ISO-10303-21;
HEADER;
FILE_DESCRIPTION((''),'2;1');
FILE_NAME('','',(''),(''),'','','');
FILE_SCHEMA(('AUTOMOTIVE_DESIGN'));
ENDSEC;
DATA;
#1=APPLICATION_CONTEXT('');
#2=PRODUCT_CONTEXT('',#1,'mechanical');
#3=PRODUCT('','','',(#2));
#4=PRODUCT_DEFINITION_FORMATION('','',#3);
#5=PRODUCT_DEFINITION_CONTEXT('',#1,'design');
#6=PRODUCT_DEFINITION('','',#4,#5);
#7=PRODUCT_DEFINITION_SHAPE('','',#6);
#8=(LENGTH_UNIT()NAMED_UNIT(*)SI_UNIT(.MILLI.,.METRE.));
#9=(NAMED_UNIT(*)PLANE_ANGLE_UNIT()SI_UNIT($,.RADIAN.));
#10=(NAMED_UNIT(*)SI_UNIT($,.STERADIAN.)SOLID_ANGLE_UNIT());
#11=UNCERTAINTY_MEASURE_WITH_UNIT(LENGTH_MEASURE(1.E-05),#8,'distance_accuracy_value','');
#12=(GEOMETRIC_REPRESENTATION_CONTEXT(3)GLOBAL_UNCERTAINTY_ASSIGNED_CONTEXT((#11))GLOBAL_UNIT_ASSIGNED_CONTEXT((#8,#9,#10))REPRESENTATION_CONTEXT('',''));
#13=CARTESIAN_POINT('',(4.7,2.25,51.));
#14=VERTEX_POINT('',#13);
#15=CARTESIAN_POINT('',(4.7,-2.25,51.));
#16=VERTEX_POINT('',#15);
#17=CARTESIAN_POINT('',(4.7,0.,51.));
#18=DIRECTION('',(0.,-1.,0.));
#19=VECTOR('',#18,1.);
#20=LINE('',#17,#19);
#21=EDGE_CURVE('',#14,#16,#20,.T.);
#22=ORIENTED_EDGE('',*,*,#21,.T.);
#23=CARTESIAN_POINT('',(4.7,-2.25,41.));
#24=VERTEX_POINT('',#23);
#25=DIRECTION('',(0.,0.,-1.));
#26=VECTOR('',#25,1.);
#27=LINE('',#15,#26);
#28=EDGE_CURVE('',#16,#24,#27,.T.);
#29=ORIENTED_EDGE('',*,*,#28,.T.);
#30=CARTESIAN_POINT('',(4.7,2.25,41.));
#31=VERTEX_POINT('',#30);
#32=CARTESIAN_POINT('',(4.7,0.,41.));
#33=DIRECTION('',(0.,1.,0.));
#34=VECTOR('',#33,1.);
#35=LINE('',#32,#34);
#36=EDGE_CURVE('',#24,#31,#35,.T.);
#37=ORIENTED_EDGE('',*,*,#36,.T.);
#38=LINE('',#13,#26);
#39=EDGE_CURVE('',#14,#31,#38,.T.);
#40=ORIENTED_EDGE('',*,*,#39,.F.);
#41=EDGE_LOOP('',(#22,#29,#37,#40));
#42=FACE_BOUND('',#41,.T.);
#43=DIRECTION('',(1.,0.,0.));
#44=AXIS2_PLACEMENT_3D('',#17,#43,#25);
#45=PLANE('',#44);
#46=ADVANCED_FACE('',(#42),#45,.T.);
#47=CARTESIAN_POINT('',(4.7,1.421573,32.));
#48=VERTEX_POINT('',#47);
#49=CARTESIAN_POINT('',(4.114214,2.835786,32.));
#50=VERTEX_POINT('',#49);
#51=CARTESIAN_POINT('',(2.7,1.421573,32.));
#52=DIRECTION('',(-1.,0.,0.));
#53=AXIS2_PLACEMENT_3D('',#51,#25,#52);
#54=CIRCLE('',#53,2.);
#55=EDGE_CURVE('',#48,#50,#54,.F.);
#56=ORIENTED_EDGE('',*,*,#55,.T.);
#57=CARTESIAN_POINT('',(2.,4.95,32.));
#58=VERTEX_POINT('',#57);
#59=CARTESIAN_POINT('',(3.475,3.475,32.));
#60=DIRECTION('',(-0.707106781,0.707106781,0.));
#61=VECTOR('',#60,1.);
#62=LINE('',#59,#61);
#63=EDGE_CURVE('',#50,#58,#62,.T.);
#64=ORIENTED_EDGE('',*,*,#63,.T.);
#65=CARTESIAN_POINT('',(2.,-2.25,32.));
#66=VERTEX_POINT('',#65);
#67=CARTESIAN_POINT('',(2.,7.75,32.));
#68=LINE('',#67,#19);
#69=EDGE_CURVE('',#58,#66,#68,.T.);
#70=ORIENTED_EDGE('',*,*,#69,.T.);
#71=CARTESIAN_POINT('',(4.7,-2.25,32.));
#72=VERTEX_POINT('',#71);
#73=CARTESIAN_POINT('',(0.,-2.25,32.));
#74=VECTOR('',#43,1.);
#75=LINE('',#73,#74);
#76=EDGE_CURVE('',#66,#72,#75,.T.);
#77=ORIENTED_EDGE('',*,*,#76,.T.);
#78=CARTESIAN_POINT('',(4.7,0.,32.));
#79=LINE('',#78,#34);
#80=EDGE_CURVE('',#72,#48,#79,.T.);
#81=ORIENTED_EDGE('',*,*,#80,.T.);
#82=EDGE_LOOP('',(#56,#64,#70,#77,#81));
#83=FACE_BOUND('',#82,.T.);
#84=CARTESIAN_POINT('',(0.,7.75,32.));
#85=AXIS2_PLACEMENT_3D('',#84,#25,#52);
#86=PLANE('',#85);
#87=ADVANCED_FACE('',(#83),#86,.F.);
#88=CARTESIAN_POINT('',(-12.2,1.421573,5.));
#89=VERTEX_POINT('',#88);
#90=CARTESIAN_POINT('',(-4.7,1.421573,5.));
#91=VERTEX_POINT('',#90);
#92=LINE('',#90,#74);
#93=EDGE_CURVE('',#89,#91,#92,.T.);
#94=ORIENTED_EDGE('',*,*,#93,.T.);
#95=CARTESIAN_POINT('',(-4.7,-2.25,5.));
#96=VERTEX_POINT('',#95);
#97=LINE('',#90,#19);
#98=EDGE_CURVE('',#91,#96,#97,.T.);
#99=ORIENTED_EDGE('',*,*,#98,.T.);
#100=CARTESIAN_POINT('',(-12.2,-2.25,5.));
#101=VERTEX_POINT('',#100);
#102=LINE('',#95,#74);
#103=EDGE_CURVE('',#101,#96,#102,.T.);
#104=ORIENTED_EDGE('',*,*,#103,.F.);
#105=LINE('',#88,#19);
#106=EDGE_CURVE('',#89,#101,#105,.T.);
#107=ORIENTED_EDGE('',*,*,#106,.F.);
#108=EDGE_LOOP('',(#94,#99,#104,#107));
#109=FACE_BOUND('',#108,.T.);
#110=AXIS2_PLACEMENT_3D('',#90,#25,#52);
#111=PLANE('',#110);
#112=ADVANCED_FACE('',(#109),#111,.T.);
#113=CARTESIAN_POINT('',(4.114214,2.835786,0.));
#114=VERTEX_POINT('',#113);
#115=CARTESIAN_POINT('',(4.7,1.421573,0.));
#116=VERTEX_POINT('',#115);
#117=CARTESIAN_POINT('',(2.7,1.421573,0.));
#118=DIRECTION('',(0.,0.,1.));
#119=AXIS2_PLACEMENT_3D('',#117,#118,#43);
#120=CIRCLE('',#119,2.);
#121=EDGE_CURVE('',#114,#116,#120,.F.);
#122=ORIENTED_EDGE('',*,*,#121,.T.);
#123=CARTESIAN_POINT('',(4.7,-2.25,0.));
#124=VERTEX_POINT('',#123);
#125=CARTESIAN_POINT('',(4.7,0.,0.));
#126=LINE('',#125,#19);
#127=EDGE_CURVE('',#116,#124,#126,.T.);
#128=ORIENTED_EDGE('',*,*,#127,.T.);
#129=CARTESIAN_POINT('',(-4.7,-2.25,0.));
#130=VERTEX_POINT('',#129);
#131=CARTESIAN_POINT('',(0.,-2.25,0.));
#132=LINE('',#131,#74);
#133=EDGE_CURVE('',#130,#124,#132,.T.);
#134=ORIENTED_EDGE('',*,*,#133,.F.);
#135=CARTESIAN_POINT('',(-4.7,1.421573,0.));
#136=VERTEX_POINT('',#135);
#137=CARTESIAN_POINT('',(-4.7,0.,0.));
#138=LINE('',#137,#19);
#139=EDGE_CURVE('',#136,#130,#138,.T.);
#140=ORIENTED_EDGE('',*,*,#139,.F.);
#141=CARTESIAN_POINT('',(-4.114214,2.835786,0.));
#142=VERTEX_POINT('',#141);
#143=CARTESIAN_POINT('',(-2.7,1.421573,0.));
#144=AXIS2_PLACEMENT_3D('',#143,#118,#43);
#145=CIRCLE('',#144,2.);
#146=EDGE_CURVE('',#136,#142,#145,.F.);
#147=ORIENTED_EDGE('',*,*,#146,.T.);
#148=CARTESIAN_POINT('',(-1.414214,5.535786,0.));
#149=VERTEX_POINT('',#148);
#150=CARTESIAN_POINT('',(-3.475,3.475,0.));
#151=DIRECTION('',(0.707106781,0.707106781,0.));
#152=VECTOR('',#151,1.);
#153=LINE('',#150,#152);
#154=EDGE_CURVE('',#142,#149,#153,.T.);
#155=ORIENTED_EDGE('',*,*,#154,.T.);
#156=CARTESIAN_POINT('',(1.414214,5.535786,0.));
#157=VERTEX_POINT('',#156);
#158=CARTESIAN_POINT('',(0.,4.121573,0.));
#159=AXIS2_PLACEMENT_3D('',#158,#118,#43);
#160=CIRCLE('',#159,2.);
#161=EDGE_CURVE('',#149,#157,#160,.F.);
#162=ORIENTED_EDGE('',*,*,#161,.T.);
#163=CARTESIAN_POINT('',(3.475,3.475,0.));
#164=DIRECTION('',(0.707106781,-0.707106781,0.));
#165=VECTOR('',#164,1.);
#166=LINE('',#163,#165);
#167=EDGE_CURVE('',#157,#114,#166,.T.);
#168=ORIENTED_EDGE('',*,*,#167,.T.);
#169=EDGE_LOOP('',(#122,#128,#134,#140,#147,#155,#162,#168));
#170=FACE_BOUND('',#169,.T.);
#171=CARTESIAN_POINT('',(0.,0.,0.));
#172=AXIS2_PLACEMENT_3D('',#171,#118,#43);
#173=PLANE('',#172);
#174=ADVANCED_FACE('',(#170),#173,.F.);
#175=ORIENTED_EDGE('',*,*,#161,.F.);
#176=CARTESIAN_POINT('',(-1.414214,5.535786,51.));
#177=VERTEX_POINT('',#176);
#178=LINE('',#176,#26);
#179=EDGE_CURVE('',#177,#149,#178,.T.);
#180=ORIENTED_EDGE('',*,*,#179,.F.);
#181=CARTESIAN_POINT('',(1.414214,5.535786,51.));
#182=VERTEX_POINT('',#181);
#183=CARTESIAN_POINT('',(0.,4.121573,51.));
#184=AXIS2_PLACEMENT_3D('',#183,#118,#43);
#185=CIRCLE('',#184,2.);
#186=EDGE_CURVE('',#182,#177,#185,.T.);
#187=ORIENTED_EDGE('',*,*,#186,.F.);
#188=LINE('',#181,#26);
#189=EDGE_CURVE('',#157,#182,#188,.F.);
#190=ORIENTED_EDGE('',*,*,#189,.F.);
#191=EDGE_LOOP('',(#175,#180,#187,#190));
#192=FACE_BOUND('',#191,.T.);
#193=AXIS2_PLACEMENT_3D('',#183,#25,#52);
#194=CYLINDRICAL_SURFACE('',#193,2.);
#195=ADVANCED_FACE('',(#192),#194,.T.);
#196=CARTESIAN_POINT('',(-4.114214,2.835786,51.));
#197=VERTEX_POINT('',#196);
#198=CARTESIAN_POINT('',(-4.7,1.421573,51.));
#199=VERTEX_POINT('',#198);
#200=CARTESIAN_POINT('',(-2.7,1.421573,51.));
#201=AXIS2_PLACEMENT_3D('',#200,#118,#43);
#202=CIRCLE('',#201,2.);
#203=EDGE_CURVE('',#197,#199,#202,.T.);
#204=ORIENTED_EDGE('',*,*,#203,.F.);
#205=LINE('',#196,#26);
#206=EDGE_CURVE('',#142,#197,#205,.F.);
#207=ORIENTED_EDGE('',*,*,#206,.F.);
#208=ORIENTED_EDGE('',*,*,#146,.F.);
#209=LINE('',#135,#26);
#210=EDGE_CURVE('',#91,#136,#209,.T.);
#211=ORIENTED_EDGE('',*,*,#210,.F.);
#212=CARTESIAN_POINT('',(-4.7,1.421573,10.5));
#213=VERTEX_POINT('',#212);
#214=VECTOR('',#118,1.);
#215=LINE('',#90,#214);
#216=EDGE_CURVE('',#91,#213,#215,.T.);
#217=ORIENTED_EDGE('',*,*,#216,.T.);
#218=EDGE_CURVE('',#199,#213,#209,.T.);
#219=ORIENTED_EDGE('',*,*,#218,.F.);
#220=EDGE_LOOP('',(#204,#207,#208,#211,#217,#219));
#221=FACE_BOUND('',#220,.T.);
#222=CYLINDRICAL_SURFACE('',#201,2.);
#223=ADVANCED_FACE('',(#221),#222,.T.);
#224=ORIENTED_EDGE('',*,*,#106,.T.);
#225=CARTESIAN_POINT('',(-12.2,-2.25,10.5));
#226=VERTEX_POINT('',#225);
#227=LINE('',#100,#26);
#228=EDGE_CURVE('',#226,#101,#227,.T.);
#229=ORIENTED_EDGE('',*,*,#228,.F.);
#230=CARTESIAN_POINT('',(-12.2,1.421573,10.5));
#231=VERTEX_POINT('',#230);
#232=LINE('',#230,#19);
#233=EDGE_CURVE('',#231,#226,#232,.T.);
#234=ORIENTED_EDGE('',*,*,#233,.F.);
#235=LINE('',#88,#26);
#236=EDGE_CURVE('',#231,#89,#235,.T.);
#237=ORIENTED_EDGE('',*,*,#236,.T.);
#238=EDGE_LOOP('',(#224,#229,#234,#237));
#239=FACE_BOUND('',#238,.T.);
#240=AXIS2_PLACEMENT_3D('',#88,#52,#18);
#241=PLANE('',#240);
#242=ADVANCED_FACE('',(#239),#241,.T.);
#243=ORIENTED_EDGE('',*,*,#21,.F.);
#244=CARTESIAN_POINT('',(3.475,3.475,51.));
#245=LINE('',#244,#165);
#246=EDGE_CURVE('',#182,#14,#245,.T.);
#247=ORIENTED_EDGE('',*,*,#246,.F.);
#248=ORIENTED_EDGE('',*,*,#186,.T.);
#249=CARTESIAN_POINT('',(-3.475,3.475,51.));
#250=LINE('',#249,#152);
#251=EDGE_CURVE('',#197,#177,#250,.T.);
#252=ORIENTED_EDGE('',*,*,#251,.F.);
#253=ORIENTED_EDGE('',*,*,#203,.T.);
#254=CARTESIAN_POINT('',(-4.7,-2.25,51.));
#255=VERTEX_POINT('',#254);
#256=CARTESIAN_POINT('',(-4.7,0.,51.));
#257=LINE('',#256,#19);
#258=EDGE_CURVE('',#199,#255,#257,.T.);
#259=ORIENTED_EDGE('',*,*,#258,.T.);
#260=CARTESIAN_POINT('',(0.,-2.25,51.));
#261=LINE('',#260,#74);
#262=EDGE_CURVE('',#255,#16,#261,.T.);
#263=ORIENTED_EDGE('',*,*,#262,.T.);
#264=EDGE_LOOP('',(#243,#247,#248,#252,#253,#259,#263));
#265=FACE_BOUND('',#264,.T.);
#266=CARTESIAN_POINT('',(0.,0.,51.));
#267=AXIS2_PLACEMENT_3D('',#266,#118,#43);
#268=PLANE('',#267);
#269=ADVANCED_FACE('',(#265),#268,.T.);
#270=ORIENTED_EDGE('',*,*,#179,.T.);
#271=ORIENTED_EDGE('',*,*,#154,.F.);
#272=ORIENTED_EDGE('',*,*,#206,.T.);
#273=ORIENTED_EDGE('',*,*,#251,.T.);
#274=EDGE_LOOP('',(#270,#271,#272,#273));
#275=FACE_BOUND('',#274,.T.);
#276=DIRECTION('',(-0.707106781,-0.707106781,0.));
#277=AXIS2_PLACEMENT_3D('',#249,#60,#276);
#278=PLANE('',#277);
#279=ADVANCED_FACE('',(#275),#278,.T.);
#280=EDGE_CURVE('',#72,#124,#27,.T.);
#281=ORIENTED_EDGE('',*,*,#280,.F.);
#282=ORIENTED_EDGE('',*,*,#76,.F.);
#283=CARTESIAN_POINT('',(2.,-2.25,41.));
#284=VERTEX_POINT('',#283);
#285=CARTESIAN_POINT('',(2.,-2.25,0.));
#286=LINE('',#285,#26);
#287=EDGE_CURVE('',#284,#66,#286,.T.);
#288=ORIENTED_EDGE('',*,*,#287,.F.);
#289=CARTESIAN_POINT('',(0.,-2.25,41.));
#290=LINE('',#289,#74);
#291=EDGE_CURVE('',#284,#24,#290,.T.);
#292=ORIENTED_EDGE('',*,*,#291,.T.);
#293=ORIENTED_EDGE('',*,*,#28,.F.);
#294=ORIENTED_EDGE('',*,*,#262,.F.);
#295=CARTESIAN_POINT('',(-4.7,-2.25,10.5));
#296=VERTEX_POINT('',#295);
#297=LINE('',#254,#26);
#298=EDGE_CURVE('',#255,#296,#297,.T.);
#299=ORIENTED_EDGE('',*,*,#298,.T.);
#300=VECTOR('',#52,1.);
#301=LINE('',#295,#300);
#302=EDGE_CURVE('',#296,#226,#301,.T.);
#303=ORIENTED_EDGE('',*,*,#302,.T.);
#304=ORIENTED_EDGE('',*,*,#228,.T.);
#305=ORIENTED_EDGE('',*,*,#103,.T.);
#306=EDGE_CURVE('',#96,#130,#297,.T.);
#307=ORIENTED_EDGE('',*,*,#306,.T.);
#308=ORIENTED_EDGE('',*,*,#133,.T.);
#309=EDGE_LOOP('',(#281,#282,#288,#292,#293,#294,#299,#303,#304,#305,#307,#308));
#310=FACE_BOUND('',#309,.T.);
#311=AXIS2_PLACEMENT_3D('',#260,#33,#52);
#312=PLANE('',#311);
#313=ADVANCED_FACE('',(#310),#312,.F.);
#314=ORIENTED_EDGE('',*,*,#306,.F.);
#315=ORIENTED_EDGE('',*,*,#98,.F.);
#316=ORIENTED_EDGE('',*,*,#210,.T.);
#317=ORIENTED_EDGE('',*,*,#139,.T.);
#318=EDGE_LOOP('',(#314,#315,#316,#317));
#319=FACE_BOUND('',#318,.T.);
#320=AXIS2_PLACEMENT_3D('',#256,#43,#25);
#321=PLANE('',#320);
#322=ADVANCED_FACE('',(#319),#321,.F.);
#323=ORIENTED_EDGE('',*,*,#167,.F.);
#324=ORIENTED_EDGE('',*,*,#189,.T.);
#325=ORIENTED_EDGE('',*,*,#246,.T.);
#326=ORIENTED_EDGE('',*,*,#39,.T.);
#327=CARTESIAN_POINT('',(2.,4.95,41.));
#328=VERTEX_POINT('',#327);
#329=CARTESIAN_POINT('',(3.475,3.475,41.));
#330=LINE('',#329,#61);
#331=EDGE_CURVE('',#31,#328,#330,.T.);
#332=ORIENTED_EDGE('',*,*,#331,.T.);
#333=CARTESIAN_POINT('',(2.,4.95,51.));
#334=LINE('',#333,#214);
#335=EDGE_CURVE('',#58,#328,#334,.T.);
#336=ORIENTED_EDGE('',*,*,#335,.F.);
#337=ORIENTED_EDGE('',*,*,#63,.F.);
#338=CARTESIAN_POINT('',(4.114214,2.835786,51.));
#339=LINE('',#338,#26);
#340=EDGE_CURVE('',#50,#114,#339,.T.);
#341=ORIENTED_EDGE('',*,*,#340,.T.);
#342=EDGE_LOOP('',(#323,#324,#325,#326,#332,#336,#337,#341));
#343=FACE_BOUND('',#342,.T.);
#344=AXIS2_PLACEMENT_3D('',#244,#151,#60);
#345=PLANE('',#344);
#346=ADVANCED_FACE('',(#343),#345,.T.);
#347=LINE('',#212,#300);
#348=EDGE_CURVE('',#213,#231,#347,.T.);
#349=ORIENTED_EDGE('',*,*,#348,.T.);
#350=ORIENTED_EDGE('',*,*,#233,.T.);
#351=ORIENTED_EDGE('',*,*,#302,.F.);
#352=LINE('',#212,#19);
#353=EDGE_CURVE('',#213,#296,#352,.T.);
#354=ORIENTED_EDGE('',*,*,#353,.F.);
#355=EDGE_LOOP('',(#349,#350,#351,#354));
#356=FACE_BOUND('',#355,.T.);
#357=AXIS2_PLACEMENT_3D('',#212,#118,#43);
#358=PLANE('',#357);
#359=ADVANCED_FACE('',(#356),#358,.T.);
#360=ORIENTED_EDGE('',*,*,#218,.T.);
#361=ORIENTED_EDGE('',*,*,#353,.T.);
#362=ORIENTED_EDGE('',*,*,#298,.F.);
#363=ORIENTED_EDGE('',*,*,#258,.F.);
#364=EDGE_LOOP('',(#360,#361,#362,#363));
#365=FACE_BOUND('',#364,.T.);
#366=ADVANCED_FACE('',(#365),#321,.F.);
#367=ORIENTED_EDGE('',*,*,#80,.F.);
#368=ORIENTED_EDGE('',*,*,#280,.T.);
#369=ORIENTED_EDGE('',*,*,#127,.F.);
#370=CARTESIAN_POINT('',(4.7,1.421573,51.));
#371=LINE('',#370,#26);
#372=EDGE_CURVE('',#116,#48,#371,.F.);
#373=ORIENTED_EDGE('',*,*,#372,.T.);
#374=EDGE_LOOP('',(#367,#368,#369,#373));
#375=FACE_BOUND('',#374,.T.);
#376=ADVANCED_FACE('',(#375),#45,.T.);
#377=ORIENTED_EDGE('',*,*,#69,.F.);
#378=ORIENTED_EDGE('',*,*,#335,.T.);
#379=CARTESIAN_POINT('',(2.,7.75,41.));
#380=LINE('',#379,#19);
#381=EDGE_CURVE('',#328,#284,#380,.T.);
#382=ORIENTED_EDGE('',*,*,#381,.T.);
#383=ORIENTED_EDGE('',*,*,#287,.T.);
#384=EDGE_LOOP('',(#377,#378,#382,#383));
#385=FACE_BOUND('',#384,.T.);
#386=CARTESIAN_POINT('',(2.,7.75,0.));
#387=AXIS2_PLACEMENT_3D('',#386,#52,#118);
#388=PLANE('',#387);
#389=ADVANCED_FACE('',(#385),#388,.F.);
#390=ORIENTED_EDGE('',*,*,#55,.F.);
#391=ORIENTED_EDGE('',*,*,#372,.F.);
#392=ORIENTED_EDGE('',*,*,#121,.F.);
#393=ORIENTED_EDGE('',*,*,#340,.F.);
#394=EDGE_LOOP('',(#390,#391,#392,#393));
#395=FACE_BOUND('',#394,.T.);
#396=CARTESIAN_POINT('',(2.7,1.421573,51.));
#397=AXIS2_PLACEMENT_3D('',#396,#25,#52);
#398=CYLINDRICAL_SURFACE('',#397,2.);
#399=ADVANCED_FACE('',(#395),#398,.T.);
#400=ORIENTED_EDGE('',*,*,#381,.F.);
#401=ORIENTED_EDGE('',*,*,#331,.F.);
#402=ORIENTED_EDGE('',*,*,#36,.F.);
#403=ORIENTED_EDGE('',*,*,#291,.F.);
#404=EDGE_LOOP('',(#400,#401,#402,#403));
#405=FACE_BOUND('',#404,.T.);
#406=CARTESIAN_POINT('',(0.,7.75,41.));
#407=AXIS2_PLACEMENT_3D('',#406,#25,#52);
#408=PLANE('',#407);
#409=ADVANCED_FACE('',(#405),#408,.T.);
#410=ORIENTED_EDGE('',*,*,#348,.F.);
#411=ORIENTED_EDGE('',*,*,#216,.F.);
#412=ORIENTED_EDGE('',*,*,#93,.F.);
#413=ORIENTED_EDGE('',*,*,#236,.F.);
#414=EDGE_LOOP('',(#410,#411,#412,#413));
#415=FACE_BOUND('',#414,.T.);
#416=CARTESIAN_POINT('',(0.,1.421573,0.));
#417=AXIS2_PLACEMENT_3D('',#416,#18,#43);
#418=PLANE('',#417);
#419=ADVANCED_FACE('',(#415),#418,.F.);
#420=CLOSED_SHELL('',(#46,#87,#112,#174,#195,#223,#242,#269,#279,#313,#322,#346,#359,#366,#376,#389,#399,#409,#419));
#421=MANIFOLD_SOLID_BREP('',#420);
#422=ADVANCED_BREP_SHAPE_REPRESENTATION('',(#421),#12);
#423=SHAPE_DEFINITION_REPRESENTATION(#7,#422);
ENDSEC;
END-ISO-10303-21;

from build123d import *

# Parameters (mm, degrees)
SZKIC1_W                    = 9.4
SZKIC1_H                    = 4.5
DODANIE_WYCI_GNI_CIE1_DEPTH = 51
SZKIC2_W                    = 2.7
SZKIC2_H                    = 9
SZKIC2_W_2                  = 5.3
WYTNIJ_WYCI_GNI_CIE1_DEPTH  = 10
ZAOKR_GLENIE1_R             = 2
SZKIC5_W                    = 7.5
SZKIC5_H                    = 5.5
DODANIE_WYCI_GNI_CIE4_DEPTH = 3.67157


with BuildPart() as part:
    # Szkic1 → Dodanie-wyciągnięcie1 (new body)
    with BuildSketch(Plane.XY):
        Polygon((0, 6.95), (4.7, 2.25), (-4.7, 2.25), align=None)
        Rectangle(SZKIC1_W, SZKIC1_H)
    extrude(amount=DODANIE_WYCI_GNI_CIE1_DEPTH)

    # Szkic2 → Wytnij-wyciągnięcie1 (cut)
    with BuildSketch(Plane.XZ.offset(2.25)):
        with Locations((3.35, 36.5)):
            Rectangle(SZKIC2_W, SZKIC2_H)
        with Locations((7.35, 36.5)):
            Rectangle(SZKIC2_W_2, SZKIC2_H)
    extrude(amount=-WYTNIJ_WYCI_GNI_CIE1_DEPTH, mode=Mode.SUBTRACT)

    # Zaokrąglenie1
    zaokr_glenie1_edges = [part.edges().sort_by_distance(p)[0] for p in [
        (-4.7, 2.25, 25.5),
        (0, 6.95, 25.5),
        (4.7, 2.25, 16),
    ]]
    fillet(zaokr_glenie1_edges, radius=ZAOKR_GLENIE1_R)

    # Szkic5 → Dodanie-wyciągnięcie4 (add)
    with BuildSketch(Plane.XZ.offset(2.25)):
        with Locations((-8.45, 7.75)):
            Rectangle(SZKIC5_W, SZKIC5_H)
    extrude(amount=-DODANIE_WYCI_GNI_CIE4_DEPTH)


solid = part.part
